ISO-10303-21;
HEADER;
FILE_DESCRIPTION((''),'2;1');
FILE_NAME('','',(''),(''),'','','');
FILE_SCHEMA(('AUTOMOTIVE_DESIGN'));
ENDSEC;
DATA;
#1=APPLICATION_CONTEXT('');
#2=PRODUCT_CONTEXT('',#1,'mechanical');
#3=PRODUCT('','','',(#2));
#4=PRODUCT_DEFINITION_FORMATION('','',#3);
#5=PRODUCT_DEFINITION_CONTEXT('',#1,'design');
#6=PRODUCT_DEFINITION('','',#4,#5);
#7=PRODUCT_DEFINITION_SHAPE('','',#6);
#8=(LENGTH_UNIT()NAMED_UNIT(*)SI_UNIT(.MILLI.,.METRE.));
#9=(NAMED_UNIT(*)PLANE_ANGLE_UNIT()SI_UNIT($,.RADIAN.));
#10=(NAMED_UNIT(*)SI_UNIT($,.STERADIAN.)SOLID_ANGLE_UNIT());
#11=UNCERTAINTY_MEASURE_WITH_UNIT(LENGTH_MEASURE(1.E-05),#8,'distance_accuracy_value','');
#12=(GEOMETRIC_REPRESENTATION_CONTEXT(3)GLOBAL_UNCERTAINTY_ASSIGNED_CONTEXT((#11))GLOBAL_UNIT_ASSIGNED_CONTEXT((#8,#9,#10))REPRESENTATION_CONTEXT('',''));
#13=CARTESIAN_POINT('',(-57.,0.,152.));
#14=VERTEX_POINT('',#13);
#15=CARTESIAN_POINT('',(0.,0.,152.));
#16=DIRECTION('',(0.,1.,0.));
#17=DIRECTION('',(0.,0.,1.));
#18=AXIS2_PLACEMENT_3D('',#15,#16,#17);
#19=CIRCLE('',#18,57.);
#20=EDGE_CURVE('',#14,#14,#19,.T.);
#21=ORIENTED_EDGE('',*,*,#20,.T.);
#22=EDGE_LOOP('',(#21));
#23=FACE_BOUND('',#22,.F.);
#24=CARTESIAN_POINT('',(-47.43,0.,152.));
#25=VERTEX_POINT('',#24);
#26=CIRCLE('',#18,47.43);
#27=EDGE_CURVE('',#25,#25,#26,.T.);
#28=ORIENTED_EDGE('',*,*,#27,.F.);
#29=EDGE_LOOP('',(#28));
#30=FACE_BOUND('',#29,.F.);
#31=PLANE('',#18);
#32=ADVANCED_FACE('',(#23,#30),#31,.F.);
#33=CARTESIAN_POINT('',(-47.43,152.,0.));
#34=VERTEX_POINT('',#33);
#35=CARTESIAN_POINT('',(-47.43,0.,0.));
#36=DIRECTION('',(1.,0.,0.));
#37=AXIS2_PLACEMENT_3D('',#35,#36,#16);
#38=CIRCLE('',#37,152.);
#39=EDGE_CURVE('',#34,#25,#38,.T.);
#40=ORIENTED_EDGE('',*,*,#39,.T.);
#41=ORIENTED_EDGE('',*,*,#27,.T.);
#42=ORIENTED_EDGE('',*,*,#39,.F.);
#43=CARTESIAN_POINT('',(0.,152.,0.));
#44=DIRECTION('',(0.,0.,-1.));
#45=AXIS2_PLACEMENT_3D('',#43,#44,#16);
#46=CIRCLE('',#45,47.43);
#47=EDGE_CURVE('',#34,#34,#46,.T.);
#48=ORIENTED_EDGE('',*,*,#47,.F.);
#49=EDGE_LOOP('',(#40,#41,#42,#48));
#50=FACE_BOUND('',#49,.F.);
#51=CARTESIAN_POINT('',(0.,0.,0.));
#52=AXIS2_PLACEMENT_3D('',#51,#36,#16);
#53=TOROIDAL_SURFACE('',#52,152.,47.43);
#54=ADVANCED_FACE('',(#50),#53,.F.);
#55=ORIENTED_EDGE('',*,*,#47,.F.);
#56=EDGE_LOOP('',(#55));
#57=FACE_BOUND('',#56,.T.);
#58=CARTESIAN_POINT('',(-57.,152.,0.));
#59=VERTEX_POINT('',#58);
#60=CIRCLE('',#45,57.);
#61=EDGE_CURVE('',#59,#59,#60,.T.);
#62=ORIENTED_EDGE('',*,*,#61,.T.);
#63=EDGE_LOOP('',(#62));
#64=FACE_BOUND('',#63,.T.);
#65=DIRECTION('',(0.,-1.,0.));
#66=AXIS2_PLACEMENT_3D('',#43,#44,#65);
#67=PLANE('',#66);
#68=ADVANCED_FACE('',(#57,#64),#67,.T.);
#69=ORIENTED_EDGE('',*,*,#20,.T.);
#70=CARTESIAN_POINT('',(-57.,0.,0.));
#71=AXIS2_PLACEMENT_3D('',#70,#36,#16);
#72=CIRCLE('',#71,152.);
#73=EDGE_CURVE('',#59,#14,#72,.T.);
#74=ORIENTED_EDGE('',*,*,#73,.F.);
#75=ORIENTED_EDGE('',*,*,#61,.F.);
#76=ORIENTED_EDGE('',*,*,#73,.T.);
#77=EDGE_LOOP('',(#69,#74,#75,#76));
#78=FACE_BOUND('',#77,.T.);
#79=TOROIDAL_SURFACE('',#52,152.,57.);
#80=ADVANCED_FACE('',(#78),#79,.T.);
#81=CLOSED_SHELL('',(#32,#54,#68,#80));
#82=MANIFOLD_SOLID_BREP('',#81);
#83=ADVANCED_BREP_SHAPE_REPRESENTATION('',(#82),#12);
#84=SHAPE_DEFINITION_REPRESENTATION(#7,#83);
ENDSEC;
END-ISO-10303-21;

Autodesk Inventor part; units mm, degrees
ref_plane "YZ Plane" through (0, 0, 0) normal (1, 0, 0) x (0, 1, 0)
ref_plane "XZ Plane" through (0, 0, 0) normal (0, 1, 0) x (-1, 0, 0)
ref_plane "XY Plane" through (0, 0, 0) normal (0, 0, 1) x (1, 0, 0)
sketch "Sketch4" plane through (0, 0, 0) normal (1, 0, 0) x (0, 1, 0)
  arc A0 (152, 0) -> (0, 152) centre (0, 0) ccw
  dimension "d23" = 152
sketch "Sketch3" plane through (0, 0, 0) normal (0, 1, 0) x (-1, 0, 0)
  circle A0 centre (0, 152) radius 57
  circle A1 centre (0, 152) radius 47.43
  point P0 (0, 0)
  dimension "d27" = 114
  dimension "d28" = 9.57
sweep "Sweep6" add profiles "Sketch3" path "Sketch4"
properties part number "joelho 90 4 inch ANSI B16.9"
